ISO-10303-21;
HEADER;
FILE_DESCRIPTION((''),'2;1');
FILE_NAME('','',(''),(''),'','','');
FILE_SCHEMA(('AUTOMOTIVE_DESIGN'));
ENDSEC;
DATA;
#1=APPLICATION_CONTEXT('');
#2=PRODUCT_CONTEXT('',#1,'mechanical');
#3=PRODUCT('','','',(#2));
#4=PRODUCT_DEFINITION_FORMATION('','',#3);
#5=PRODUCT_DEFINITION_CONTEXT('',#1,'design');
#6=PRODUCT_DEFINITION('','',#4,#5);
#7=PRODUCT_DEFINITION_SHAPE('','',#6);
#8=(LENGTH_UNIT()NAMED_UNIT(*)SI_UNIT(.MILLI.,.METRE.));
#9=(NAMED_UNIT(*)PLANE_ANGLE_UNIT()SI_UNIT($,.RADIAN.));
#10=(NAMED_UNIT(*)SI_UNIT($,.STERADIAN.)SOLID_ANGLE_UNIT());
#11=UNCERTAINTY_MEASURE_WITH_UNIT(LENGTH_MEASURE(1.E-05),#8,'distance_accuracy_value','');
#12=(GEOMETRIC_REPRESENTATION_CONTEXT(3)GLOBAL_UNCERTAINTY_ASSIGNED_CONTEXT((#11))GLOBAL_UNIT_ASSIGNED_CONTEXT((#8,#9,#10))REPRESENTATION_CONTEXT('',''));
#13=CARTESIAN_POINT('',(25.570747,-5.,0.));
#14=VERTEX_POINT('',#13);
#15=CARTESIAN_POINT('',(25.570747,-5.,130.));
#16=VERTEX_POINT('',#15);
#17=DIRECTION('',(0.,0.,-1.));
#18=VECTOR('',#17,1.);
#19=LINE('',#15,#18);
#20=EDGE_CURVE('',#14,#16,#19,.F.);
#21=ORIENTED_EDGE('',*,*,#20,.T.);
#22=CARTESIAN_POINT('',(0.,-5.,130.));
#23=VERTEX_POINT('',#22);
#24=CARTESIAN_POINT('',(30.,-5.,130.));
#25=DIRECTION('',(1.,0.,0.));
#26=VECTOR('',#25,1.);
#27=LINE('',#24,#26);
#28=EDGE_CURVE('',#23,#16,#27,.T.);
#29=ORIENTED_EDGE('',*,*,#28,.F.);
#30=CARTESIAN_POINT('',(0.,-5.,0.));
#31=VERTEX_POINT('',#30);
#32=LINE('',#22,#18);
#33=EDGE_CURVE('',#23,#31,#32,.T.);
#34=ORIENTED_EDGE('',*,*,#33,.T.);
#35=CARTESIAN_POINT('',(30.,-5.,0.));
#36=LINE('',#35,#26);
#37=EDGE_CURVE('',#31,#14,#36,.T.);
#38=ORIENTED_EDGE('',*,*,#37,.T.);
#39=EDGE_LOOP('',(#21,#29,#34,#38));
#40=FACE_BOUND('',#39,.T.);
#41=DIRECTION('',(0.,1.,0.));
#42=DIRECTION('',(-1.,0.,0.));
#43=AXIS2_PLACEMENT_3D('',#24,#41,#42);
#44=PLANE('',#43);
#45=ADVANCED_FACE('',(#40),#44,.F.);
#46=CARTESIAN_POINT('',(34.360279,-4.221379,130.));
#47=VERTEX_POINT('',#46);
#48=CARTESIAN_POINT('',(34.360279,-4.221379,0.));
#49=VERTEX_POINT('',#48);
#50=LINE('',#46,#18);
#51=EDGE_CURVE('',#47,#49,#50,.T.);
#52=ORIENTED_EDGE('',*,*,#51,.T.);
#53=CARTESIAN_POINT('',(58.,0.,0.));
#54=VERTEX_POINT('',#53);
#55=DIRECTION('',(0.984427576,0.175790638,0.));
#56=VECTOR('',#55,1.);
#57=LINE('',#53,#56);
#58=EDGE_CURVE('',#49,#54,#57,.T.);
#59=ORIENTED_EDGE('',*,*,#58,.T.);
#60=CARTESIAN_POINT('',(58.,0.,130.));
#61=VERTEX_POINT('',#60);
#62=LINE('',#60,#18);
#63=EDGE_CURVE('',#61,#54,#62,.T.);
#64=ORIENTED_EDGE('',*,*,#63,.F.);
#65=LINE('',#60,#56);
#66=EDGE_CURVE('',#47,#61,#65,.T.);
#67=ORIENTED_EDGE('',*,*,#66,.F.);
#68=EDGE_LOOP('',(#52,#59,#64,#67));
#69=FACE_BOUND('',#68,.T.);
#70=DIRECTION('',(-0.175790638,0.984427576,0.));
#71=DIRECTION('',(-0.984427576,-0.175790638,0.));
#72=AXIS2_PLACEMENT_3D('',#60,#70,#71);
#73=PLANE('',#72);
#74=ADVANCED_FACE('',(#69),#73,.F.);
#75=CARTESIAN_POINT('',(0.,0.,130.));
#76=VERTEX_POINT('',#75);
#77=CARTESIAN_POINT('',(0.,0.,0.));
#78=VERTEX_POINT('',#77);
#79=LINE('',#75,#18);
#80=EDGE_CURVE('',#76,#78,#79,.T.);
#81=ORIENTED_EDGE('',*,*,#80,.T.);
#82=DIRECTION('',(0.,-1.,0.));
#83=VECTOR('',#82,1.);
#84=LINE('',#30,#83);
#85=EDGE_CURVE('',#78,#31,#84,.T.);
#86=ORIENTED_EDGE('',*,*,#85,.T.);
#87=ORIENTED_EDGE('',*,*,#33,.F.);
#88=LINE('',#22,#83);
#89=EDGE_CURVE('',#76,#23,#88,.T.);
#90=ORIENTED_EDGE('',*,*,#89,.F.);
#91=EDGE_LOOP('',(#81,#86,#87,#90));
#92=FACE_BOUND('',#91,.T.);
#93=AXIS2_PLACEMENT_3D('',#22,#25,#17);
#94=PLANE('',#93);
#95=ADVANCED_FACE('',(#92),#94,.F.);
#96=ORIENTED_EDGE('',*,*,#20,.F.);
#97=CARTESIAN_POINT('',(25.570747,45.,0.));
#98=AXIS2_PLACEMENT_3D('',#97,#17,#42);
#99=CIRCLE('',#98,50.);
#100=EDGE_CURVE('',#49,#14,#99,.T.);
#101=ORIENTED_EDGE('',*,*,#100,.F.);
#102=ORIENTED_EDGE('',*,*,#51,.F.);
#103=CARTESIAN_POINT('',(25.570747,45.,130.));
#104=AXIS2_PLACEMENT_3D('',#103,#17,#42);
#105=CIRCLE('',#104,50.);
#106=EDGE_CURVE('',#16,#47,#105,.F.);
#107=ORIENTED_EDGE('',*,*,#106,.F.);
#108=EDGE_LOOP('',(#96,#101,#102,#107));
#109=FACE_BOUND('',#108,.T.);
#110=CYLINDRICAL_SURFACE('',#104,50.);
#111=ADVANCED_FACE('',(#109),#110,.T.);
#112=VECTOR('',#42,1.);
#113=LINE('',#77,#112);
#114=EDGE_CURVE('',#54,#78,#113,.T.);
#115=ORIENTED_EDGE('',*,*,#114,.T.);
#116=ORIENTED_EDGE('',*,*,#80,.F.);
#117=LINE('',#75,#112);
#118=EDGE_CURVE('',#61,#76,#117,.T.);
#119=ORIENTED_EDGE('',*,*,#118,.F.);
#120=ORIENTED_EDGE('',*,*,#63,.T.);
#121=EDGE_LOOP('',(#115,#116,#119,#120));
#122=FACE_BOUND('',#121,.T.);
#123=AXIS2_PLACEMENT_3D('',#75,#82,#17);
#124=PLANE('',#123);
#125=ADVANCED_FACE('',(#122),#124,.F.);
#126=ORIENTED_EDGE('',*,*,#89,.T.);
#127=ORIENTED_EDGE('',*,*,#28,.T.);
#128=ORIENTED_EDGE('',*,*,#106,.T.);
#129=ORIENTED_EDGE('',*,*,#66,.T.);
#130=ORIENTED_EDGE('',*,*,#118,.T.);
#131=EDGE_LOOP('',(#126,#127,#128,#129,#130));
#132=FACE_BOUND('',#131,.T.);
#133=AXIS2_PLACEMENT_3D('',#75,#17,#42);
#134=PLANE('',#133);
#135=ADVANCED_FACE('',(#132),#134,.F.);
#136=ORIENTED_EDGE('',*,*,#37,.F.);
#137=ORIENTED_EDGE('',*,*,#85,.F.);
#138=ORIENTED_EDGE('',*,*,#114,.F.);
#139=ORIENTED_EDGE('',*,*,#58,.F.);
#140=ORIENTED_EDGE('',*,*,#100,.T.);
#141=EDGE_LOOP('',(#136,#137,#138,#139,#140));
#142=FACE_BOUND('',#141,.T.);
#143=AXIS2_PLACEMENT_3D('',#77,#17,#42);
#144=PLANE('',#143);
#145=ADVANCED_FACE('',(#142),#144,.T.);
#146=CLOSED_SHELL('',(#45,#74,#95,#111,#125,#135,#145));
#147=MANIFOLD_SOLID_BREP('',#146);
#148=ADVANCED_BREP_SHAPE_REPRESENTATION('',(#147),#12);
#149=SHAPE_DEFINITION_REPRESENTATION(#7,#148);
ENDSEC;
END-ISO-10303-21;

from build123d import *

# Parameters (mm, degrees)
BOSS_EXTRUDE1_DEPTH = 130
FILLET1_R           = 50


with BuildPart() as part:
    # Sketch1 → Boss-Extrude1 (new body)
    with BuildSketch(Plane.XY):
        Polygon((0, 0), (58, 0), (30, -5), (0, -5), align=None)
    extrude(amount=BOSS_EXTRUDE1_DEPTH)

    # Fillet1
    fillet1_edges = [part.edges().sort_by_distance(p)[0] for p in [
        (30, -5, 65),
    ]]
    fillet(fillet1_edges, radius=FILLET1_R)


solid = part.part
